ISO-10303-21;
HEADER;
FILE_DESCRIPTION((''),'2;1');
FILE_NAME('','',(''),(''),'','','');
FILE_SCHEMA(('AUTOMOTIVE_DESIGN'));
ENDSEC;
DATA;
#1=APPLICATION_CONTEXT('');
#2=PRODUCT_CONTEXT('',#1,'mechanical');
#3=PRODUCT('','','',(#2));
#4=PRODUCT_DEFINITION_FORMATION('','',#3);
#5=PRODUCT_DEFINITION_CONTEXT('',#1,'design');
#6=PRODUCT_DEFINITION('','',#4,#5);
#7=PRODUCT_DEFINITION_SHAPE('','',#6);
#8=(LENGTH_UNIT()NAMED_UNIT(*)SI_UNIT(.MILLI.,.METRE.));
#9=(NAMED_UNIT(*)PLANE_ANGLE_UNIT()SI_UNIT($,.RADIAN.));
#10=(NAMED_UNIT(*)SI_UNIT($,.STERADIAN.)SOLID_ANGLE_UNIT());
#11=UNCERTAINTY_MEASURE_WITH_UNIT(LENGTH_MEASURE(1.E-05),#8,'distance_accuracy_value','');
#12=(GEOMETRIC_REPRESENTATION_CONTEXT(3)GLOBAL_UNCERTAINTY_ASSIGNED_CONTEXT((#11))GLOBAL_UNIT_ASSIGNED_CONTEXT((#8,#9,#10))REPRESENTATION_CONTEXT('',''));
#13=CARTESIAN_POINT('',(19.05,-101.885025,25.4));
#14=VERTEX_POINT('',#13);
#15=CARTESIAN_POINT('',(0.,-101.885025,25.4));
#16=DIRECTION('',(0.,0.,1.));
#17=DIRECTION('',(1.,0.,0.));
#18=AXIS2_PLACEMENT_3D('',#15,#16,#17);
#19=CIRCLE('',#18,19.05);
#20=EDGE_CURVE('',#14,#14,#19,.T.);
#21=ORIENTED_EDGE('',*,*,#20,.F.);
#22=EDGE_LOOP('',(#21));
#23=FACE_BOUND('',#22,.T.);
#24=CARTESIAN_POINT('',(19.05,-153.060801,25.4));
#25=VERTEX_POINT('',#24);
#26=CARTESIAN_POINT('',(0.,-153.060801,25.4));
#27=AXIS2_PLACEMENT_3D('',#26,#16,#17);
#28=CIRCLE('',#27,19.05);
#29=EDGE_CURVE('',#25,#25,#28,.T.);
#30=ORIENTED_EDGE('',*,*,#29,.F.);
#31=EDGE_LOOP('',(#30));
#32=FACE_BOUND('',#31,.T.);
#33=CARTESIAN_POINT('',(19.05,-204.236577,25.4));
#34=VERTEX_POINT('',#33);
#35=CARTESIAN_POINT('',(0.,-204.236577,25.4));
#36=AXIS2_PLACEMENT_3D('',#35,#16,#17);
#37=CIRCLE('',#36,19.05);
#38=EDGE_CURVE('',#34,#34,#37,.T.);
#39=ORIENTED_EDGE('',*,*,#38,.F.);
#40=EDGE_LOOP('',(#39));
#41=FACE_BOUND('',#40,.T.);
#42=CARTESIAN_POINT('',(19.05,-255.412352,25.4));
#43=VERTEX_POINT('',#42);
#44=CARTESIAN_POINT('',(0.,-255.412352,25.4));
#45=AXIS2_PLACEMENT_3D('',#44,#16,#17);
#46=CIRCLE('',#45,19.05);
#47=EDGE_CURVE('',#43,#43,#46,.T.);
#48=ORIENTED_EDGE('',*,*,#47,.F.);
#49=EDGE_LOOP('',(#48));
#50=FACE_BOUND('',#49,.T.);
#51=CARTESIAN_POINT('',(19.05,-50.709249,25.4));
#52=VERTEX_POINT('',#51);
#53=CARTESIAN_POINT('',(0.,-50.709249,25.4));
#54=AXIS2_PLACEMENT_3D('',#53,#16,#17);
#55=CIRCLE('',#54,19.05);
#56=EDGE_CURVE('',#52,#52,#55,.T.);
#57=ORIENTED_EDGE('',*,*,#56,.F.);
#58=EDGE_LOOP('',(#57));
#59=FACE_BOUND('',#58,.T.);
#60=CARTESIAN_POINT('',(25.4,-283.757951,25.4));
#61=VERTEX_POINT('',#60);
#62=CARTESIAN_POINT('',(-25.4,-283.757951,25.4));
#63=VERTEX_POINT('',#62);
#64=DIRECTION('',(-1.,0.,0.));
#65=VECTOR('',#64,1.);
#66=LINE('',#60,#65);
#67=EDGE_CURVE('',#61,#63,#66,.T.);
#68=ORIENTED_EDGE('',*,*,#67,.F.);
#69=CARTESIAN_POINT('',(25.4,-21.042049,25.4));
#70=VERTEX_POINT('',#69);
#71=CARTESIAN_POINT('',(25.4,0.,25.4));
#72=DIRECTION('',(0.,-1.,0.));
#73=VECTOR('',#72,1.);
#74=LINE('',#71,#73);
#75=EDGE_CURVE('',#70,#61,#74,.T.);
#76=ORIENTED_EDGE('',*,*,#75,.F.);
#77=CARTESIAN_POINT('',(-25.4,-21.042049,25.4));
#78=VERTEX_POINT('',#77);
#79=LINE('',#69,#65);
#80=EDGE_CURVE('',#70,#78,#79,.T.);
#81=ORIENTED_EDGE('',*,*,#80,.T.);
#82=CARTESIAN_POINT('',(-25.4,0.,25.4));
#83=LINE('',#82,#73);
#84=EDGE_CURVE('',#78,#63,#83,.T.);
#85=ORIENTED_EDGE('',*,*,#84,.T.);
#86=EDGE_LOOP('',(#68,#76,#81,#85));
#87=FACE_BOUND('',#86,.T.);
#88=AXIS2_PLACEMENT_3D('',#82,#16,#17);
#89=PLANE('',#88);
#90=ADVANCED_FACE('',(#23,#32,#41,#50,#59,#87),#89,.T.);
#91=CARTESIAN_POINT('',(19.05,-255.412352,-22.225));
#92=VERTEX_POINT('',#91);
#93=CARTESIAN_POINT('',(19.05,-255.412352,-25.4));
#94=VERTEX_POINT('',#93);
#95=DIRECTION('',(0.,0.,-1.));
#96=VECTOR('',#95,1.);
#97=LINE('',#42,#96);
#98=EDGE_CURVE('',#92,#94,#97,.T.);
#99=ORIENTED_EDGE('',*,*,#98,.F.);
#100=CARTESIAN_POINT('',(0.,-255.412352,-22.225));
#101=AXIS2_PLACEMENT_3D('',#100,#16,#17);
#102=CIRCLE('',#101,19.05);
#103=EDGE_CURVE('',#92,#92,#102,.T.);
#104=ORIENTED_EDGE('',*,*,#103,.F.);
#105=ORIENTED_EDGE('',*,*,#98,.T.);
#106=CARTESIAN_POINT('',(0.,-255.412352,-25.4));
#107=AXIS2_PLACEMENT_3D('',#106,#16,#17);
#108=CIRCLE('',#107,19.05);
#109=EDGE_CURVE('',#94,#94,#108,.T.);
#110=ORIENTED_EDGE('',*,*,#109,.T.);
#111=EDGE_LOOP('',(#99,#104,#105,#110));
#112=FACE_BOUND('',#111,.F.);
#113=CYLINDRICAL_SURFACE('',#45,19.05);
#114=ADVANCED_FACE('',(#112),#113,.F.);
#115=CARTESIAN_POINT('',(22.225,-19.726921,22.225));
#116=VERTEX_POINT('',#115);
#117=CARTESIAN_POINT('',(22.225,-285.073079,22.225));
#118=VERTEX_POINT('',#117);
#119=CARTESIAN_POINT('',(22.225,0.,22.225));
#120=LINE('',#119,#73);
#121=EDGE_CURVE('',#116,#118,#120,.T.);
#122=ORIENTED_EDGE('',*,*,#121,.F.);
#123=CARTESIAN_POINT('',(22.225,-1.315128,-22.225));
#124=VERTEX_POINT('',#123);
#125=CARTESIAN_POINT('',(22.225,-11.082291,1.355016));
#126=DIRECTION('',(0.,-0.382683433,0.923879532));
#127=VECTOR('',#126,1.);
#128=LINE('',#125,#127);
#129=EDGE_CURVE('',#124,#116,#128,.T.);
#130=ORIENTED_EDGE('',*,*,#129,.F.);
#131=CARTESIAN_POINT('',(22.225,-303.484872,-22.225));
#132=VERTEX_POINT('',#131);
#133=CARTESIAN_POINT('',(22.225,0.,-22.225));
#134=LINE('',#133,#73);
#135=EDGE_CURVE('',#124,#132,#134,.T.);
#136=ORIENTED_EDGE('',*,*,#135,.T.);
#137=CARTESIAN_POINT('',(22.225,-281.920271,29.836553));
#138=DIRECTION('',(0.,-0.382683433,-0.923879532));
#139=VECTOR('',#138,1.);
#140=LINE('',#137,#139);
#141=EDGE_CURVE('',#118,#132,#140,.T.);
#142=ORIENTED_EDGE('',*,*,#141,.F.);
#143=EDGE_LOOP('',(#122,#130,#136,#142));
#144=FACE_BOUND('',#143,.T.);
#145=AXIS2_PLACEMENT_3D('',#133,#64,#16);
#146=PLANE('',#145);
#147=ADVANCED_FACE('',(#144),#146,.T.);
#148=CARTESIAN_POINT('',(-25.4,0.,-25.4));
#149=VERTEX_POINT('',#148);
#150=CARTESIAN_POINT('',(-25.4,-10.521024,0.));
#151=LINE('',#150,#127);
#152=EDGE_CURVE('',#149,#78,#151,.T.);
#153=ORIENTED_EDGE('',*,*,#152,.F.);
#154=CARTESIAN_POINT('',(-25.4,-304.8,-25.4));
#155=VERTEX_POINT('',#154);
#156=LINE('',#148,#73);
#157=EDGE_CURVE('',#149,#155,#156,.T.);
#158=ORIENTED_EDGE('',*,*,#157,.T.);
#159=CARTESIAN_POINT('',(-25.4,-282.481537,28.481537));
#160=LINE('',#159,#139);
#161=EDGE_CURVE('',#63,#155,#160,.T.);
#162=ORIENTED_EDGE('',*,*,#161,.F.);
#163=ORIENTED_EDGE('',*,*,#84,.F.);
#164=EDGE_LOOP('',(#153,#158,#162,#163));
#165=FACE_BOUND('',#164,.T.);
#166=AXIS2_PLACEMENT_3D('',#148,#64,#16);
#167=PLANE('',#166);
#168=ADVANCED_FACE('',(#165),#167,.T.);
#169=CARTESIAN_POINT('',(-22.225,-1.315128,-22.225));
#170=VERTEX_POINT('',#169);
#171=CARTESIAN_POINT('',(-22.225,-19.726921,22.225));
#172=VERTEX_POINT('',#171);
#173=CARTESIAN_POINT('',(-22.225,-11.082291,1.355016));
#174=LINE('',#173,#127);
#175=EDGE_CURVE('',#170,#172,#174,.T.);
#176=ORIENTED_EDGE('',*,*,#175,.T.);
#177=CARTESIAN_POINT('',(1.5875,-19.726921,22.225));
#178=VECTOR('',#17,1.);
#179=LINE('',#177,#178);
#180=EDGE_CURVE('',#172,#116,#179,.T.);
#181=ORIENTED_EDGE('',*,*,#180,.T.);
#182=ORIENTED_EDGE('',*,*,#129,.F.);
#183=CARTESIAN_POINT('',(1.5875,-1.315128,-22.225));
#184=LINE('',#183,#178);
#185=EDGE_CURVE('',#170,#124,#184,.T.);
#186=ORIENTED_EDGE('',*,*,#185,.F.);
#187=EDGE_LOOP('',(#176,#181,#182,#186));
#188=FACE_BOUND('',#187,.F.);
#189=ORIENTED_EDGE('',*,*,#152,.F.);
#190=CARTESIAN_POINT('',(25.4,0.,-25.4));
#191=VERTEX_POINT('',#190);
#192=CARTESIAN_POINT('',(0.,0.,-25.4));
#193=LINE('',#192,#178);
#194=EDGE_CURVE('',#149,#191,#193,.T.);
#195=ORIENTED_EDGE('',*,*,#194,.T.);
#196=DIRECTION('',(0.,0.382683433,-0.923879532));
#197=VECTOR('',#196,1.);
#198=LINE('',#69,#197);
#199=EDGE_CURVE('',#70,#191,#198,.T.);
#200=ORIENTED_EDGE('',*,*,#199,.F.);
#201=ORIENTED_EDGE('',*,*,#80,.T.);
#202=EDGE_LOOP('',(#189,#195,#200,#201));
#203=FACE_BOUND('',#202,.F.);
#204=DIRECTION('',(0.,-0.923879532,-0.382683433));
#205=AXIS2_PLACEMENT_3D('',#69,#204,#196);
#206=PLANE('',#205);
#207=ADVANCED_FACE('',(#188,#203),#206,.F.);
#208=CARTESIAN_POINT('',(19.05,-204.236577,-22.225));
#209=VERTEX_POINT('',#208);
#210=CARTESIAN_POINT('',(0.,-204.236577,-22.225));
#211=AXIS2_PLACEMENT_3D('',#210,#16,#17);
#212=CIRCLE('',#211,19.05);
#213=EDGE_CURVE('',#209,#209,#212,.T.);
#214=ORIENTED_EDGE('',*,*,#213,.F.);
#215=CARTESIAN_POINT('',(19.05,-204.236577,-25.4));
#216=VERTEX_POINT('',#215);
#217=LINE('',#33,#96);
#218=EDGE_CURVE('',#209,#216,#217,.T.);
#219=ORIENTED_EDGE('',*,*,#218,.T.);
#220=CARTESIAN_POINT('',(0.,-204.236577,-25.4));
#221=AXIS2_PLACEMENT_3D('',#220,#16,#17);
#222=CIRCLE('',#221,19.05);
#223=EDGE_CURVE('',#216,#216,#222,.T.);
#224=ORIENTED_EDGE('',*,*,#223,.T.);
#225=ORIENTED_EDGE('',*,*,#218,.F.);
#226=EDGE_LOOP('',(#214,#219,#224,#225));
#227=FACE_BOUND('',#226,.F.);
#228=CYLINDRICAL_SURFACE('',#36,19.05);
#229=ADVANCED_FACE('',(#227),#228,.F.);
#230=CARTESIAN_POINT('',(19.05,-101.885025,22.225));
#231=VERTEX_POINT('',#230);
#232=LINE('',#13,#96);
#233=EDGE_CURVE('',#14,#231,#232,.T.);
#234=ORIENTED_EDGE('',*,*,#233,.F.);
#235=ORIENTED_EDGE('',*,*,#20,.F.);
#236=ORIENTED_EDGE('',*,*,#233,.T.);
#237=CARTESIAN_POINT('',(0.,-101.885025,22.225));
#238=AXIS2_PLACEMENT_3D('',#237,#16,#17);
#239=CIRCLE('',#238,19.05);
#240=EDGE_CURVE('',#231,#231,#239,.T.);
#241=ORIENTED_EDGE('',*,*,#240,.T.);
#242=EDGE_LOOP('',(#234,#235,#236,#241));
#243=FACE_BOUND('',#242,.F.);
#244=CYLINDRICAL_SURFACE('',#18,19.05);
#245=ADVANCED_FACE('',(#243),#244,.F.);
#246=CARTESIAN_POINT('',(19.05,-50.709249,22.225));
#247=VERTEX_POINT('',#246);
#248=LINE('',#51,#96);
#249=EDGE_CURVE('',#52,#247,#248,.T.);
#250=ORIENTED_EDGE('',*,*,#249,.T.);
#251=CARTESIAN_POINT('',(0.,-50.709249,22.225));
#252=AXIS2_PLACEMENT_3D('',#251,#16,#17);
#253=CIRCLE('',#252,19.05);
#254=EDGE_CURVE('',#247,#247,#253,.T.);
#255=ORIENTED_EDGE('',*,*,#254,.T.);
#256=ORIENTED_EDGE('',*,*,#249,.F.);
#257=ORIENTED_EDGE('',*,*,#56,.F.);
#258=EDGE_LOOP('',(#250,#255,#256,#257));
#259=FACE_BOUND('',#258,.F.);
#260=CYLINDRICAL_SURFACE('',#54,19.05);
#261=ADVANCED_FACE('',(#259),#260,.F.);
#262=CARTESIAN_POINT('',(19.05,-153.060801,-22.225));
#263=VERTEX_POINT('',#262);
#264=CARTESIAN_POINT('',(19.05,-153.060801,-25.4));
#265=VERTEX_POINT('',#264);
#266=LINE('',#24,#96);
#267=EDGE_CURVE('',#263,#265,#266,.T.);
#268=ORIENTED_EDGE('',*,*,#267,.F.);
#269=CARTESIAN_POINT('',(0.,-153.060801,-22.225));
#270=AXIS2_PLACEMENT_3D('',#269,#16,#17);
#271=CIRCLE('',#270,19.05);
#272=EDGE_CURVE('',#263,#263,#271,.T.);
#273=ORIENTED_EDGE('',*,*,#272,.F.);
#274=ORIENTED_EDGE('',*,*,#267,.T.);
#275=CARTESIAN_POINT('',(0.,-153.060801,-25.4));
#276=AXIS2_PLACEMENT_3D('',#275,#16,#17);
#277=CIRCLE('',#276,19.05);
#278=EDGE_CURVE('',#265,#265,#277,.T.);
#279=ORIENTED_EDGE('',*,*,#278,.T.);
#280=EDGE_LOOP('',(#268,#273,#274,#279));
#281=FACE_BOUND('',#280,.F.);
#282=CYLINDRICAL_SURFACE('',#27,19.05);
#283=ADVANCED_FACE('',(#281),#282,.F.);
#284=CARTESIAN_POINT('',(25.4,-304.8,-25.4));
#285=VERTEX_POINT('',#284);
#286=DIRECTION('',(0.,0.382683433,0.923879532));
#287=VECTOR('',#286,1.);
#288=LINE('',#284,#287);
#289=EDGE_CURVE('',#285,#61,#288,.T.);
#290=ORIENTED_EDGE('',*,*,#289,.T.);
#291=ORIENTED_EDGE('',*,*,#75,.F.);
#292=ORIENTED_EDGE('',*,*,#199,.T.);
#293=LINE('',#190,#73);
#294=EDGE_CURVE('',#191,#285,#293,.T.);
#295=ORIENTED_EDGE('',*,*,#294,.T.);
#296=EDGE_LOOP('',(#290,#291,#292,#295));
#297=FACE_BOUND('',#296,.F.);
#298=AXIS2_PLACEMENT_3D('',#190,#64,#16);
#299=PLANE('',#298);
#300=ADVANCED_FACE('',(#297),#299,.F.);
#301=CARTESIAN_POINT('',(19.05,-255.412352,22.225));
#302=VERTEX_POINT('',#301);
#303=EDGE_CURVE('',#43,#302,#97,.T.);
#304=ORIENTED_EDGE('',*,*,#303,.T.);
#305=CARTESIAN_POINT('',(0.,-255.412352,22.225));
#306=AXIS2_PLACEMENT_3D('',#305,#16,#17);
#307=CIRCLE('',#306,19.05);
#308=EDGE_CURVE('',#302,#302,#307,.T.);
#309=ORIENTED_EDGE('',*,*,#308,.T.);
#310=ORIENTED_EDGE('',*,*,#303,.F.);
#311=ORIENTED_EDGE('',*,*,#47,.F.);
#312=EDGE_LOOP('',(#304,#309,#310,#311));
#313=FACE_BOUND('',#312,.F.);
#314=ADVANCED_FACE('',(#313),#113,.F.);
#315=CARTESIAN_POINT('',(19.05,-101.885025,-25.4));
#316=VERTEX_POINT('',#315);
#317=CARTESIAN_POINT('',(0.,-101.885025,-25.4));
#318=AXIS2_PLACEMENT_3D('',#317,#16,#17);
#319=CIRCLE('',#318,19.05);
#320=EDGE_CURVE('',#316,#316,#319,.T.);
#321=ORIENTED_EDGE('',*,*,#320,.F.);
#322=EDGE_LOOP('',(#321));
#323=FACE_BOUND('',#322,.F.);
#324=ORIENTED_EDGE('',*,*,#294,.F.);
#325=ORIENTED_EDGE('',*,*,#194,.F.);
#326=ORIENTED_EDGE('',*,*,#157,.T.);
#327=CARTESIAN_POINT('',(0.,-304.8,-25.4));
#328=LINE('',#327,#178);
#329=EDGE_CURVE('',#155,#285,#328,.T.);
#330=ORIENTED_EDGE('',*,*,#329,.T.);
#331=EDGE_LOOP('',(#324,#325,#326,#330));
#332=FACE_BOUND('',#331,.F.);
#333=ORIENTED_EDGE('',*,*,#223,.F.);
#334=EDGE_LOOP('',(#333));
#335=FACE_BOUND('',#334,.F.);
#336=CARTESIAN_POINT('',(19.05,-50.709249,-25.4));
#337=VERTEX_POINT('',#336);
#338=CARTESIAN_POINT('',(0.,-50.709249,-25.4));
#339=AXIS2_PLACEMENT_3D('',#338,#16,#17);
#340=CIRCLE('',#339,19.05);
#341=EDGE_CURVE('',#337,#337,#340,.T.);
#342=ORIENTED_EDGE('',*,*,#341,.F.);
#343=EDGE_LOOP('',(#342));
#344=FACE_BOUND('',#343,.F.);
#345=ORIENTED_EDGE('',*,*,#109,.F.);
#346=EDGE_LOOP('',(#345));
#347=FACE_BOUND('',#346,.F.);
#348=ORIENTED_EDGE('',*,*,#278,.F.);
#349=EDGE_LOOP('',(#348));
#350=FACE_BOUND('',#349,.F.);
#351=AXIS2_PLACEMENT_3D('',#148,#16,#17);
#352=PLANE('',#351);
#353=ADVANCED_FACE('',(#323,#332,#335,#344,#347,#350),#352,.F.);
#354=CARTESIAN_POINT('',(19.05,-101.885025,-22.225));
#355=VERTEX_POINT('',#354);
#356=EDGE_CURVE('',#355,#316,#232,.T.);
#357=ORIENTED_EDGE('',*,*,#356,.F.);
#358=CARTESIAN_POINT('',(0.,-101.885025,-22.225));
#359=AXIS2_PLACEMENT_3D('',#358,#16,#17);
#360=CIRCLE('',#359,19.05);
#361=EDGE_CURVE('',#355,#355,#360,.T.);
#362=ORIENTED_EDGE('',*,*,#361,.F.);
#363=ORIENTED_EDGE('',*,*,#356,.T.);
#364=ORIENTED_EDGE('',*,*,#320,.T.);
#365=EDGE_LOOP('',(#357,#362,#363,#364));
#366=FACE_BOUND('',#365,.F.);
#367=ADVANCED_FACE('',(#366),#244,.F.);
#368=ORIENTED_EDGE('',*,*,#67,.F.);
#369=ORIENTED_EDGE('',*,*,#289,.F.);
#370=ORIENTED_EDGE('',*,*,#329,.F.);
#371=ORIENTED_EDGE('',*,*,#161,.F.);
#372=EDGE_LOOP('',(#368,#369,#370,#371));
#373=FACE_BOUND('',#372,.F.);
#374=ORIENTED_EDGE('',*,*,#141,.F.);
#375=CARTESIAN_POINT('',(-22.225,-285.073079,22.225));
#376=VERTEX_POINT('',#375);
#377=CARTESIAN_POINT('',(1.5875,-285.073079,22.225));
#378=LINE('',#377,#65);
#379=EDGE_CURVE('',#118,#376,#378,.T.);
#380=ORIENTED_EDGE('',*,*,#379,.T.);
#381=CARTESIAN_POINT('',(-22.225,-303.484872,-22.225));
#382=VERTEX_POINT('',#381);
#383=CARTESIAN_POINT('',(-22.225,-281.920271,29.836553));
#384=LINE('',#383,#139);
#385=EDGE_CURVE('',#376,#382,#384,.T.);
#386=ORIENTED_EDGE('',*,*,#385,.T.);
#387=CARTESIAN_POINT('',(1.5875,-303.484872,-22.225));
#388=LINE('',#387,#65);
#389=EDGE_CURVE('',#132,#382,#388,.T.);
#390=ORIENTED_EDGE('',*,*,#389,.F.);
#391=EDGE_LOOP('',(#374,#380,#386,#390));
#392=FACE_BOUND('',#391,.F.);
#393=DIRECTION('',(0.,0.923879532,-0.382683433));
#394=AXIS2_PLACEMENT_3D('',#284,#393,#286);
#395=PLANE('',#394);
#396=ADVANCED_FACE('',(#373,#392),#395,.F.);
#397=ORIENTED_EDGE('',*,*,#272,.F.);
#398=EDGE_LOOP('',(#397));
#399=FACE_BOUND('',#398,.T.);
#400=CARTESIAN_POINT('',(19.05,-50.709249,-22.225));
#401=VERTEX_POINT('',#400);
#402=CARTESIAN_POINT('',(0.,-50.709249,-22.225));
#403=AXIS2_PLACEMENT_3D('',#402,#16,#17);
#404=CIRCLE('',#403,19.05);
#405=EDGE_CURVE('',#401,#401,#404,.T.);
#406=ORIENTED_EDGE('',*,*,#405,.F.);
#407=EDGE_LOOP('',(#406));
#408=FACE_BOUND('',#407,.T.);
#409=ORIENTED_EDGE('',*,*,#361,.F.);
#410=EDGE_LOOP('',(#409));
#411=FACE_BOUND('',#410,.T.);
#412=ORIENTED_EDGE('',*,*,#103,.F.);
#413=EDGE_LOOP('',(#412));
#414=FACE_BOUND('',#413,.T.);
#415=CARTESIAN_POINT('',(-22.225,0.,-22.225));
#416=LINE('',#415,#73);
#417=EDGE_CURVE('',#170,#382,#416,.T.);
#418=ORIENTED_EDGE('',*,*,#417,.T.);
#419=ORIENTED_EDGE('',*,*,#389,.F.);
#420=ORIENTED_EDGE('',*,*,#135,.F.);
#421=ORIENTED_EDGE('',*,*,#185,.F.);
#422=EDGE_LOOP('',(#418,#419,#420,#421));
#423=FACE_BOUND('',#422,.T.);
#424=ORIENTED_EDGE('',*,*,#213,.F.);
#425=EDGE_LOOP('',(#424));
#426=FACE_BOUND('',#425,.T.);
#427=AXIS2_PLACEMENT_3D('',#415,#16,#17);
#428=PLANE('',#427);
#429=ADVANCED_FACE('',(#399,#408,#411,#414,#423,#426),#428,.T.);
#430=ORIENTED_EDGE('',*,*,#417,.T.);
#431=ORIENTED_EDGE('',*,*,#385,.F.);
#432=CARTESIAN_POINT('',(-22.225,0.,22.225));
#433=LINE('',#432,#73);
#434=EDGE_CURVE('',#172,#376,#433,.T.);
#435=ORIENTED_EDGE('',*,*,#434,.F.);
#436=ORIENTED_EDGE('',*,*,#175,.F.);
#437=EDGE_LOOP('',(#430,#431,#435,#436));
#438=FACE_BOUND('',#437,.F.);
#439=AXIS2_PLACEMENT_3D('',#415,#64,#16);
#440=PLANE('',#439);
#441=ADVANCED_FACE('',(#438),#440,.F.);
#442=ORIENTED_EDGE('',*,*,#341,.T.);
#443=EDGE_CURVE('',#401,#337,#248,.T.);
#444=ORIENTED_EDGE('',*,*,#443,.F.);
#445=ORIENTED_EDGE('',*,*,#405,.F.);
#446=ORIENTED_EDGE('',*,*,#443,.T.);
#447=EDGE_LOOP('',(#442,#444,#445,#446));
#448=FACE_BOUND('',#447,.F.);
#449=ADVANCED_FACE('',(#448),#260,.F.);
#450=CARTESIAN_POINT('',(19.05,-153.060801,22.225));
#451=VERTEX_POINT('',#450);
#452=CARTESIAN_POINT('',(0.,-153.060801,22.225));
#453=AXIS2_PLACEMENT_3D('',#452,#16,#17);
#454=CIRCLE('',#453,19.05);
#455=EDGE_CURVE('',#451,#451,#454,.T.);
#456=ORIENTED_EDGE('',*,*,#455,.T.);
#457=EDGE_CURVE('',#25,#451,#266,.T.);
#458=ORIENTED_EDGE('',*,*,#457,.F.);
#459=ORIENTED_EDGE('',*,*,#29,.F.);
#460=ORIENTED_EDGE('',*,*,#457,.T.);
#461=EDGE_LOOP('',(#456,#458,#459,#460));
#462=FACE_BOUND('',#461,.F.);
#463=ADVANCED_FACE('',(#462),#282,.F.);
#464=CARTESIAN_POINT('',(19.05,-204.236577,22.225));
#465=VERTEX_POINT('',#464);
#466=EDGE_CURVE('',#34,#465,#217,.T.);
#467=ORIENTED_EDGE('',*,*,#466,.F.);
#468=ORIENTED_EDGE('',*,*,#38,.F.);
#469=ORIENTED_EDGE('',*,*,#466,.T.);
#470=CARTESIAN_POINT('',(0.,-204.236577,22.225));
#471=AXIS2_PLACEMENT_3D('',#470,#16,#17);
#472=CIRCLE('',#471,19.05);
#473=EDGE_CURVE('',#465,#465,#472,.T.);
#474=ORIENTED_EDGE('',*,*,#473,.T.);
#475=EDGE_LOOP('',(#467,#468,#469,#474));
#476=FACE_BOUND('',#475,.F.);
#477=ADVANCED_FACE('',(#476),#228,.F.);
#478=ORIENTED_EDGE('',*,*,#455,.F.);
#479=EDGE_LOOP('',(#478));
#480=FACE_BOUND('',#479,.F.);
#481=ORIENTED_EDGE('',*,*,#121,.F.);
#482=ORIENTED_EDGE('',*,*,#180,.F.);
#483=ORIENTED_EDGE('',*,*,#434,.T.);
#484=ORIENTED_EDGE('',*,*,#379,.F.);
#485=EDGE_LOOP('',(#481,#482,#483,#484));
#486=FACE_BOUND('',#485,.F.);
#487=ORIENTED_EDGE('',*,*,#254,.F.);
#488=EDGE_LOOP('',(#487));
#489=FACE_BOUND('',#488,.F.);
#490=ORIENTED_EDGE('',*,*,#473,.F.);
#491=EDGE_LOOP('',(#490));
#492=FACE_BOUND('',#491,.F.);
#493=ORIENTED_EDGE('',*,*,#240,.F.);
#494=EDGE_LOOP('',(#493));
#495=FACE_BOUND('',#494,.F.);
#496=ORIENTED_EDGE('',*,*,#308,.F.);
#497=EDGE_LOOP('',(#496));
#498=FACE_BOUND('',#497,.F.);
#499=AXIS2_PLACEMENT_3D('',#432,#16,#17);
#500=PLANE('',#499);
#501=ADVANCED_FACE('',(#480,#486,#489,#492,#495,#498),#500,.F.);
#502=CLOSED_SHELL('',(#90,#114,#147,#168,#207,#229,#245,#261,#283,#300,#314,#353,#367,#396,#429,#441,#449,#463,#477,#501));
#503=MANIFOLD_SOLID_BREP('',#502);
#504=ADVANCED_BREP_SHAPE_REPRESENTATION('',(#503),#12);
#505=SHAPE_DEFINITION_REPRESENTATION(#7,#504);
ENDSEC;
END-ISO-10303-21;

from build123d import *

# Parameters (mm, degrees)
F1_W     = 50.8
F1_H     = 50.8
F1_W_2   = 44.45
F1_H_2   = 44.45
F2_DEPTH = 304.8
F4_DEPTH = 50.801
F6_DEPTH = 127
F7_R     = 19.05
F8_DEPTH = 50.8


with BuildPart() as f2:
    # F1 (on face) → F2 (new body)
    with BuildSketch(Plane.XZ):
        Rectangle(F1_W, F1_H)
        Rectangle(F1_W_2, F1_H_2, mode=Mode.SUBTRACT)
    extrude(amount=F2_DEPTH)

    # F3 (on face) → F4 (cut, through all)
    with BuildSketch(Plane.YZ.offset(25.4)):
        Polygon((-283.757951, 25.4), (-304.8, 25.4), (-304.8, -25.4), align=None)
    extrude(amount=-F4_DEPTH, mode=Mode.SUBTRACT)

    # F5 (on face) → F6 (cut)
    with BuildSketch(Plane.YZ.offset(25.4)):
        Polygon((0, -25.4), (0, 25.4), (-21.042049, 25.4), align=None)
    extrude(amount=-F6_DEPTH, mode=Mode.SUBTRACT)

    # F7 (on face) → F8 (cut)
    with BuildSketch(Plane.XY.offset(25.4)):
        with Locations((0, -50.709249)):
            Circle(F7_R)
        with Locations((0, -101.885025)):
            Circle(F7_R)
        with Locations((0, -153.060801)):
            Circle(F7_R)
        with Locations((0, -204.236577)):
            Circle(F7_R)
        with Locations((0, -255.412352)):
            Circle(F7_R)
    extrude(amount=-F8_DEPTH, mode=Mode.SUBTRACT)


solid = f2.part
